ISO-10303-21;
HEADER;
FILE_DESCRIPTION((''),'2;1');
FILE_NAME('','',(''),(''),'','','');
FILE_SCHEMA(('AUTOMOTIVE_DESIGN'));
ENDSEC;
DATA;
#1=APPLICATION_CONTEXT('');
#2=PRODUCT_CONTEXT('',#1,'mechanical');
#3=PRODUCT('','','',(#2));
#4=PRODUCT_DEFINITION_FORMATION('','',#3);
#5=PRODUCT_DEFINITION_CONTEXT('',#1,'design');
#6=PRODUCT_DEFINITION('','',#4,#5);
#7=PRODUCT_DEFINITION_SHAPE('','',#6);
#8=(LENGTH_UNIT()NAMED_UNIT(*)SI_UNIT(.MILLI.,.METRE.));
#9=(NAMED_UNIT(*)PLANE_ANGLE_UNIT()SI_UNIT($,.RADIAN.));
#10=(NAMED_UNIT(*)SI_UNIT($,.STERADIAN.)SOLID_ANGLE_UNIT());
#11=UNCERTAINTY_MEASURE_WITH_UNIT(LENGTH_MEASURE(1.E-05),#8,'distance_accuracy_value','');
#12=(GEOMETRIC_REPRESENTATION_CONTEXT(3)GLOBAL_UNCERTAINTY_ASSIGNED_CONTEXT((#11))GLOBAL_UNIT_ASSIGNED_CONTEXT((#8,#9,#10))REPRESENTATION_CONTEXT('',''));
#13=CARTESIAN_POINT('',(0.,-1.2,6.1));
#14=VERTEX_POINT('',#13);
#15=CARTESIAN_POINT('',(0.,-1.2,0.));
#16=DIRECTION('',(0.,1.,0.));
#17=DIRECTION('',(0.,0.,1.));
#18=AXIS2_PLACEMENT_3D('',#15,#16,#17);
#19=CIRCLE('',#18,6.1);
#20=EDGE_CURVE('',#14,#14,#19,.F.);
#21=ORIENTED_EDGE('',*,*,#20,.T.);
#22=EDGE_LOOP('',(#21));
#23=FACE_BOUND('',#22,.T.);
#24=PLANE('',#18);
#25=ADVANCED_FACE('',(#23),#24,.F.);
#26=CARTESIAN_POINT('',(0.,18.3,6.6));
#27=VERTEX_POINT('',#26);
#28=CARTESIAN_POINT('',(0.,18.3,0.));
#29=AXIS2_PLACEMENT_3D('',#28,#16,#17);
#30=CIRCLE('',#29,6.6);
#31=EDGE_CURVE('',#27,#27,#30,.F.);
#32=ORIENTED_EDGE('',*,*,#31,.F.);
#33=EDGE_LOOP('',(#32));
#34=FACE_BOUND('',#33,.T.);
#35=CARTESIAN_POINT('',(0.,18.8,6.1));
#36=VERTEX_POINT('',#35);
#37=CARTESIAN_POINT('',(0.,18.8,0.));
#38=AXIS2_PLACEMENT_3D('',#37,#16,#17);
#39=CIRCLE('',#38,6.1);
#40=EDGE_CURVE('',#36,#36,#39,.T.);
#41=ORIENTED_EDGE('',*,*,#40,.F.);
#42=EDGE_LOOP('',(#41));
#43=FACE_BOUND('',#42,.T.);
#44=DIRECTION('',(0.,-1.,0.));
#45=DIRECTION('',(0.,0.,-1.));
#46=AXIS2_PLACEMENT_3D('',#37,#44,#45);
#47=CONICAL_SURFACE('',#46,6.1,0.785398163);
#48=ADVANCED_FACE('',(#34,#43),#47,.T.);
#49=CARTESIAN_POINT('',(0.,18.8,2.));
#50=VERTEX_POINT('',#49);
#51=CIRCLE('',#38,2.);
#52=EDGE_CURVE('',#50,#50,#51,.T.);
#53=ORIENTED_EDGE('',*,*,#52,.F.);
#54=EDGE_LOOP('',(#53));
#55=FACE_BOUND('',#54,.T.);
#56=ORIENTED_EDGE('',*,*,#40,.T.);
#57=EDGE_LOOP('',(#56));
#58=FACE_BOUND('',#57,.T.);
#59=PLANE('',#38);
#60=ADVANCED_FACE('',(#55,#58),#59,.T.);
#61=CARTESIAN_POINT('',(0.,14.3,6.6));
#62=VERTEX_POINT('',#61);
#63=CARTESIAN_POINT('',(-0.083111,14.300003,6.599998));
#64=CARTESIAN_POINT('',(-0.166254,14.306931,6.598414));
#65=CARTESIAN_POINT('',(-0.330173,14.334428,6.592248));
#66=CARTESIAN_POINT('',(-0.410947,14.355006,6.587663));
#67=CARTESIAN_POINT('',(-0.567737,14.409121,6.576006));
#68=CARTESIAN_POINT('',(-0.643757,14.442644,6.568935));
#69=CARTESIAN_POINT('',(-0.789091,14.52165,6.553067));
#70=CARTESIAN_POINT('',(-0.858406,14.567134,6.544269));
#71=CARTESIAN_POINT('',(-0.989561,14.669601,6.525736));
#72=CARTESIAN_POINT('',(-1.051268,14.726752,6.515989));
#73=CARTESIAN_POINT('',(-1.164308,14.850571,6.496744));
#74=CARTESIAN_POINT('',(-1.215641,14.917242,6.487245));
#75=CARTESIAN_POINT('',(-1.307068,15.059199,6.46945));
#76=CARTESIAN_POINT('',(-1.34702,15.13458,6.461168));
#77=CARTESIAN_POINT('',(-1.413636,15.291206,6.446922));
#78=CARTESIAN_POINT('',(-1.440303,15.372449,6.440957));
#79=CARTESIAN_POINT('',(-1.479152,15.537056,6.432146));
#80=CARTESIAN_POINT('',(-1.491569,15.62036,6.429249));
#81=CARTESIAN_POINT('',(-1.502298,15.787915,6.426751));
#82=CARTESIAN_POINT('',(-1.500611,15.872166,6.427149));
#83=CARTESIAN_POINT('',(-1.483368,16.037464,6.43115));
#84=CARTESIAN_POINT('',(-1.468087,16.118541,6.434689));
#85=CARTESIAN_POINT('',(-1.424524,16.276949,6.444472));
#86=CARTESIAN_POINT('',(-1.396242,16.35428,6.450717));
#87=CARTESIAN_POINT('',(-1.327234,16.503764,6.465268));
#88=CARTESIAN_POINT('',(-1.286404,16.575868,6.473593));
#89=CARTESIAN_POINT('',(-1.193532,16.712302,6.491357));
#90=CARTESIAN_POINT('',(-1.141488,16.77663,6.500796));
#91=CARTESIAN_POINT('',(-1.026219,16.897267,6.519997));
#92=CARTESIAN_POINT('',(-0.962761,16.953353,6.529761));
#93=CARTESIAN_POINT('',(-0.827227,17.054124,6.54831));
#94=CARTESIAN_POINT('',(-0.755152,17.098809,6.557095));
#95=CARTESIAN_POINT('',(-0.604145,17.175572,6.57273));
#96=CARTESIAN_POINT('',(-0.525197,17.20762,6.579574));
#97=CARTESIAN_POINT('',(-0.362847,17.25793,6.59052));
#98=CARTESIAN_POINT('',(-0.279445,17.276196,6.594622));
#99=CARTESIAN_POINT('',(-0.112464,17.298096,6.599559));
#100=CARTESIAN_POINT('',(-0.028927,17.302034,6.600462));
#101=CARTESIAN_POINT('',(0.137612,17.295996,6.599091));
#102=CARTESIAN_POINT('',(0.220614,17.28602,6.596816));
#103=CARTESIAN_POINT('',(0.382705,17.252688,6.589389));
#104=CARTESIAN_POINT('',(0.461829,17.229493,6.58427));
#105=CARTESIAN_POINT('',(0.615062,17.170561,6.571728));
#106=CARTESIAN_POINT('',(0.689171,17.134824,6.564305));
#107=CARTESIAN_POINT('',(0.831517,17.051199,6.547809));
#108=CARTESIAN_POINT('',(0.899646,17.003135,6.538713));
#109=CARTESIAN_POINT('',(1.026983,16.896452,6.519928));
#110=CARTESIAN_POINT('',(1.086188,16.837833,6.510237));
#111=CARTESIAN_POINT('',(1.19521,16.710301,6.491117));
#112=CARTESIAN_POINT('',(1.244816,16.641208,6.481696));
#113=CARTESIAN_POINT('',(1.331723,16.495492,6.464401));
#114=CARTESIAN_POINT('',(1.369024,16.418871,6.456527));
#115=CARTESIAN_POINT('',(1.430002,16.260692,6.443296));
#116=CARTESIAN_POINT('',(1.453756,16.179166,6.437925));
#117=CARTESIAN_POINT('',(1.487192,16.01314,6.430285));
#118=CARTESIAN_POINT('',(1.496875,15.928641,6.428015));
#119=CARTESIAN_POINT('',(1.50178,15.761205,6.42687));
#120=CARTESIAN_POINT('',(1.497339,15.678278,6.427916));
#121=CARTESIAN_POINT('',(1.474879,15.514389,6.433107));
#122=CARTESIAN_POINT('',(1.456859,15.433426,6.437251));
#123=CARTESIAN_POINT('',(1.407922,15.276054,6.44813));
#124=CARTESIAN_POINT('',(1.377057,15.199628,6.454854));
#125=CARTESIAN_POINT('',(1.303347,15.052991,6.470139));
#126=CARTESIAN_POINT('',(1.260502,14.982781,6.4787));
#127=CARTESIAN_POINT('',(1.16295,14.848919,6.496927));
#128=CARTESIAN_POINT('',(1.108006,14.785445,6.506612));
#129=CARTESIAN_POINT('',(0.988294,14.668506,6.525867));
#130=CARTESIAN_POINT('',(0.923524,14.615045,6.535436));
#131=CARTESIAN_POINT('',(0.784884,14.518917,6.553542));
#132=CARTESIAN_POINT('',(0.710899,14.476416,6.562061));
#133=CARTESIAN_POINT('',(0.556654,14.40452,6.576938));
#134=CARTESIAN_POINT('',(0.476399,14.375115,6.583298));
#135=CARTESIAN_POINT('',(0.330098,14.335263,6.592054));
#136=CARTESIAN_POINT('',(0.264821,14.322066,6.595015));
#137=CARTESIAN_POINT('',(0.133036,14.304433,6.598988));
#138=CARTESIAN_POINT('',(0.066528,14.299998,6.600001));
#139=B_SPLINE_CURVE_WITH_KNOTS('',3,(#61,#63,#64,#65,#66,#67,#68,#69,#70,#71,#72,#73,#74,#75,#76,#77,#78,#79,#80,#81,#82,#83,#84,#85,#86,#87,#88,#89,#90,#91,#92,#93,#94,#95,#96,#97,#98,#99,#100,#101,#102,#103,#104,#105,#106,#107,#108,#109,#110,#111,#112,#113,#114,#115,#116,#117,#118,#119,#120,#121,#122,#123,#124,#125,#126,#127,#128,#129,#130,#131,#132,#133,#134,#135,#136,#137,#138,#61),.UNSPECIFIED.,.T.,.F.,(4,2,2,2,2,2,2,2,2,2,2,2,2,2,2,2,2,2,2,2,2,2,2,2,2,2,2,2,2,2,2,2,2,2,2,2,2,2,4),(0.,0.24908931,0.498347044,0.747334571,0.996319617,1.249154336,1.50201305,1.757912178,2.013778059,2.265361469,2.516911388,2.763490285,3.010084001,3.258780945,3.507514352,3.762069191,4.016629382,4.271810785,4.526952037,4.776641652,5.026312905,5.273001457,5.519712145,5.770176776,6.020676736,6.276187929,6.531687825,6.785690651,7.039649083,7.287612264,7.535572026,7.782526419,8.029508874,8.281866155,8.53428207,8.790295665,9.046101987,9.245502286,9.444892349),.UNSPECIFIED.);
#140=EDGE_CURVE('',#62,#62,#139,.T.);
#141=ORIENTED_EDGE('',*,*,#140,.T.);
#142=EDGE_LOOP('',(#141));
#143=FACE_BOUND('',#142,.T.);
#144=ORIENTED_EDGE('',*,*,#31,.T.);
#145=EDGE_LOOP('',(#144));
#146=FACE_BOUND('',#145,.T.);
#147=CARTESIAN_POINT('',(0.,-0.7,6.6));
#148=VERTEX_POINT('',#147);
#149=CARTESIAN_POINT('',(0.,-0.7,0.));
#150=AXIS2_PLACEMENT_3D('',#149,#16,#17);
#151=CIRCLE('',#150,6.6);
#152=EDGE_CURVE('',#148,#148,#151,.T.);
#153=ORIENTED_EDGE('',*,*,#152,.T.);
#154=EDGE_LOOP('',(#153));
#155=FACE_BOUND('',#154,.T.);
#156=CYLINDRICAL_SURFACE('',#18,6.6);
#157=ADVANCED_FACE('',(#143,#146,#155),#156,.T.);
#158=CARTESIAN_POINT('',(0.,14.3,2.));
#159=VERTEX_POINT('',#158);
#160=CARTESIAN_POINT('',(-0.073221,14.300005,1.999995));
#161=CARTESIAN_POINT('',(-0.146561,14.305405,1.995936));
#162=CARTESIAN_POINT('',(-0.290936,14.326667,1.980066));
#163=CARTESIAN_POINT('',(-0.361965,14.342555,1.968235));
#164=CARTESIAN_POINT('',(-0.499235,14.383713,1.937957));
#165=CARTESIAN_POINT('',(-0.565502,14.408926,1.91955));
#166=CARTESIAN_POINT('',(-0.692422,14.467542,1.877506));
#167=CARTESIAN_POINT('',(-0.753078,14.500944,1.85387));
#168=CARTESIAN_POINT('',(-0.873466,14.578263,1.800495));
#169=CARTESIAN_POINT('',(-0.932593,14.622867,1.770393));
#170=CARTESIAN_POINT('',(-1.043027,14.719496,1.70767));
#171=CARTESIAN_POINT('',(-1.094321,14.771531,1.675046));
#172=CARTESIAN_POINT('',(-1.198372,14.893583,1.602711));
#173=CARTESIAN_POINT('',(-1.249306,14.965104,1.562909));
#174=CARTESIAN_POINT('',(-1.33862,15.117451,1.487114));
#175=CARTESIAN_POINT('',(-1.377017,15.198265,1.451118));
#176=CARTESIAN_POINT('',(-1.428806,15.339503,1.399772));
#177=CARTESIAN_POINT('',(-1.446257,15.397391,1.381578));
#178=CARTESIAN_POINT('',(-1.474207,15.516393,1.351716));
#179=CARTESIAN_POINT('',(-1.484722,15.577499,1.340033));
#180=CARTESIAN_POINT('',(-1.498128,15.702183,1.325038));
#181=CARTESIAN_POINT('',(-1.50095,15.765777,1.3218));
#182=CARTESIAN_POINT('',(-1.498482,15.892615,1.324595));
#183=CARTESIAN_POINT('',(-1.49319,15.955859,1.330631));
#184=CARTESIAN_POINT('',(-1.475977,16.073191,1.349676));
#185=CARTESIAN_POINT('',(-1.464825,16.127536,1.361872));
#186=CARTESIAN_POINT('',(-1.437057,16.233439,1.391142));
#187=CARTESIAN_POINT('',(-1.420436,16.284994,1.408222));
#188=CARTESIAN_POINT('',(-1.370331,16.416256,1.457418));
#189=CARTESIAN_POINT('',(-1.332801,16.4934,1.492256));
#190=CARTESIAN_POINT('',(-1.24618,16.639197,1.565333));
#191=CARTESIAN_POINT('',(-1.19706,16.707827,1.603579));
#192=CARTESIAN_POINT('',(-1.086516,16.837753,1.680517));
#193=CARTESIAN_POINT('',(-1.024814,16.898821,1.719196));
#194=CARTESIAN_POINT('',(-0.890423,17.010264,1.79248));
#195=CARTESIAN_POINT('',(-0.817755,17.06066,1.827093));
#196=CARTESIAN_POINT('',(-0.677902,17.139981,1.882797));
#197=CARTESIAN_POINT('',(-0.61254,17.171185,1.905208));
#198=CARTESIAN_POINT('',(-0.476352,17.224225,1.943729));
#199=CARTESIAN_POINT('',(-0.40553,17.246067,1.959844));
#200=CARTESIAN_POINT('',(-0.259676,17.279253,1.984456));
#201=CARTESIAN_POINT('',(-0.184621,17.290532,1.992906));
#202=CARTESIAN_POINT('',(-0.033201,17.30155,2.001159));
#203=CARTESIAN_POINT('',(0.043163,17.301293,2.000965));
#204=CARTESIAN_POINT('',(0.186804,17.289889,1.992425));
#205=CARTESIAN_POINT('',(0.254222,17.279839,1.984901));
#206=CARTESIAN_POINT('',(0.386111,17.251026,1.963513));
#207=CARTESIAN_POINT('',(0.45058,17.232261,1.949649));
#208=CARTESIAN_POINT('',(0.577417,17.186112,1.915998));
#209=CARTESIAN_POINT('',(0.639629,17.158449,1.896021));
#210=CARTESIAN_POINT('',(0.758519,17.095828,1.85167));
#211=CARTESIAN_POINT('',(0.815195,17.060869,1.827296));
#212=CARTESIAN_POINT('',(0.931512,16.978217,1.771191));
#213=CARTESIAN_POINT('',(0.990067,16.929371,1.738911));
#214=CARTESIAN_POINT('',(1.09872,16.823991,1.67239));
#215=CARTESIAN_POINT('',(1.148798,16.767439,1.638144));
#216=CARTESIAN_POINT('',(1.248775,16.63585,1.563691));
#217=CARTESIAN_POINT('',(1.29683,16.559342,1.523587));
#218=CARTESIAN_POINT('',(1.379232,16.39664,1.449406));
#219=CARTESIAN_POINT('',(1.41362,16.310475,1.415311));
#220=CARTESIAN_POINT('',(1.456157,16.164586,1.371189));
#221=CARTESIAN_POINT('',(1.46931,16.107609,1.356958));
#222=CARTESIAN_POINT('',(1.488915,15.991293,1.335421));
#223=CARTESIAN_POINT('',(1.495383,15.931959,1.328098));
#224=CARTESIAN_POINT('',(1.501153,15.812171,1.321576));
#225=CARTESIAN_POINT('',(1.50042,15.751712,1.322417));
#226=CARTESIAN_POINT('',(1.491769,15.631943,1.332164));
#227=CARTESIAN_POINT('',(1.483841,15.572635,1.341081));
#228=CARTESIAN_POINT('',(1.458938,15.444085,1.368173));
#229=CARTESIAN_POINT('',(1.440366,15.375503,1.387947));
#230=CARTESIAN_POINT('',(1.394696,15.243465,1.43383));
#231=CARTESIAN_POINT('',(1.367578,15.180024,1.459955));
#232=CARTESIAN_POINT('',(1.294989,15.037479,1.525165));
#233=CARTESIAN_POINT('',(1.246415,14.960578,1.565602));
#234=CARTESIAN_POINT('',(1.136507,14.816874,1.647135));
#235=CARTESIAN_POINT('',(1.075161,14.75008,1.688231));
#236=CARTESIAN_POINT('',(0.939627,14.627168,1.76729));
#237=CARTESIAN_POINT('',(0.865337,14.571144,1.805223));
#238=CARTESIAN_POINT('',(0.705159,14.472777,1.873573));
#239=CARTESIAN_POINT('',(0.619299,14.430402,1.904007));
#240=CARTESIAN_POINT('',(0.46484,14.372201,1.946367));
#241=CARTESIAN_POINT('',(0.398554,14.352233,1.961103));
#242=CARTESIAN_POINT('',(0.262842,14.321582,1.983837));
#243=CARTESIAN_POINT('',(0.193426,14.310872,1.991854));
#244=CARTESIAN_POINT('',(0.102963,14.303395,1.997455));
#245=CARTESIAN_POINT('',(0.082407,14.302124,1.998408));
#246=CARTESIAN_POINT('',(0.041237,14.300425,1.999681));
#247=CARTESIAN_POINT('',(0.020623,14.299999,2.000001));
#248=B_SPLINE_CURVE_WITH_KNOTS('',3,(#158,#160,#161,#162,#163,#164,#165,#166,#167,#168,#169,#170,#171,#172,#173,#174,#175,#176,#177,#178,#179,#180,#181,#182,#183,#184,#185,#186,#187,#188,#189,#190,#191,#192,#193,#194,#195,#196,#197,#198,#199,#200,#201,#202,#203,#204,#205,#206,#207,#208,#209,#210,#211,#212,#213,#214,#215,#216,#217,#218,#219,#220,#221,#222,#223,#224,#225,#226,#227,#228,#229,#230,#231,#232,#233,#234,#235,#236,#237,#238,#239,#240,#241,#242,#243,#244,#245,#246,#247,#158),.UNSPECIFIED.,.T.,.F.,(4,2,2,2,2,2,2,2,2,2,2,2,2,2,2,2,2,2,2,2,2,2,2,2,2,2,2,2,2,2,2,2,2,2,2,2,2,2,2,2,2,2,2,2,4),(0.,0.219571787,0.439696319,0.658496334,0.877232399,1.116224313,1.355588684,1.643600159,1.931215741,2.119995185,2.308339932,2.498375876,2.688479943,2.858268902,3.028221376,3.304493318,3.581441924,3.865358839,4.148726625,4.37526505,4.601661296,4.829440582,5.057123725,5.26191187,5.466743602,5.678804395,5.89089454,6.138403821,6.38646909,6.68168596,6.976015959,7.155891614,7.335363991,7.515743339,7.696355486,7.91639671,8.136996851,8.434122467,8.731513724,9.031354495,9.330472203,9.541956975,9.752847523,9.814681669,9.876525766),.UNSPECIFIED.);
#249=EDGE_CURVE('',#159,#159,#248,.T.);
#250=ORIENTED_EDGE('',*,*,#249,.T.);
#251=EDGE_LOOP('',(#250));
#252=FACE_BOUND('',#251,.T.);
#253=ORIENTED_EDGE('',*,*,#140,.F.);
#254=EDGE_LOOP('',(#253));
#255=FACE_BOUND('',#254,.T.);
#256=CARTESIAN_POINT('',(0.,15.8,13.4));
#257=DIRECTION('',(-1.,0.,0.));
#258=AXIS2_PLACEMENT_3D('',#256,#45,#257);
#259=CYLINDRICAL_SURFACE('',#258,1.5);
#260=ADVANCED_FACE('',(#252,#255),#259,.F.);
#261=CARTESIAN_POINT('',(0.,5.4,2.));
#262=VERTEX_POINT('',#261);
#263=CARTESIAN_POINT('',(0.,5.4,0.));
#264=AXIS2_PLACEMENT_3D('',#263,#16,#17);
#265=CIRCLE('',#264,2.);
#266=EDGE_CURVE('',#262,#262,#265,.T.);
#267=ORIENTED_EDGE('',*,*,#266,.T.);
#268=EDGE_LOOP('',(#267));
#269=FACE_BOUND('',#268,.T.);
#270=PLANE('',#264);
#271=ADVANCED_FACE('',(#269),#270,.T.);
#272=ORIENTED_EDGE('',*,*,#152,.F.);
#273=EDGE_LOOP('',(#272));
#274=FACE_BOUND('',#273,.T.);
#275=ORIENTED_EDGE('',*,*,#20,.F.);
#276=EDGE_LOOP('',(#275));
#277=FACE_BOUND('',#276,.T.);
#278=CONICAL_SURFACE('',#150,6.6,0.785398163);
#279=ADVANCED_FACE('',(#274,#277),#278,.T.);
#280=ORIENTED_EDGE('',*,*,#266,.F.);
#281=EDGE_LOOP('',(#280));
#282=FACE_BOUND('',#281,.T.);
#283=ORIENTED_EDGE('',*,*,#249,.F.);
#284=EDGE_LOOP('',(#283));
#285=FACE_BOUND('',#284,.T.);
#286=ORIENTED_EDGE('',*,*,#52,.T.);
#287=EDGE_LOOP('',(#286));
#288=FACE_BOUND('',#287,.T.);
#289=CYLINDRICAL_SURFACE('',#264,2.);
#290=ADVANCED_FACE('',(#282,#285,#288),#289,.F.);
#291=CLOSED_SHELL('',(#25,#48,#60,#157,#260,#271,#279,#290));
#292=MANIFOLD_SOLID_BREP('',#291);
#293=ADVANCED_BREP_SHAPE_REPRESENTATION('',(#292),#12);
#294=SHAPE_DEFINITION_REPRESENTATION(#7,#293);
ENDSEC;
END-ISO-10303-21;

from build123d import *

# Parameters (mm, degrees)
EXTRUDE_1_DEPTH      = 18.8
EXTRUDE_1_DEPTH_BACK = 1.2
SKETCH_1_R           = 6.6
CHAMFER_1_SIZE       = 0.5
SKETCH_2_R           = 2
CUT_EXTRUDE_1_DEPTH  = 13.4
SKETCH_3_R           = 1.5
CUT_EXTRUDE_2_DEPTH  = 13.4


with BuildPart() as part:
    # 草图1 → 凸台-拉伸1 (new, two sides: drawn at the far end of the back side and taken through both)
    with BuildSketch(Plane(origin=(0, 0, 0), x_dir=(1, 0, 0), z_dir=(0, 1, 0)).offset(-EXTRUDE_1_DEPTH_BACK)):
        with Locations(Location((0, 0, 0), (0, 0, 270))):
            Circle(SKETCH_1_R)
    extrude(amount=EXTRUDE_1_DEPTH + EXTRUDE_1_DEPTH_BACK)

    # 倒角1
    chamfer_1_edges = [part.edges().sort_by_distance(p)[0] for p in [
        (0, -1.2, -6.6),
        (0, 18.8, -6.6),
    ]]
    chamfer(chamfer_1_edges, length=CHAMFER_1_SIZE)

    # 草图2 → 切除-拉伸1 (cut)
    with BuildSketch(Plane(origin=(0, 18.8, 0), x_dir=(1, 0, 0), z_dir=(0, 1, 0))):
        with Locations(Location((0, 0, 0), (0, 0, 270))):
            Circle(SKETCH_2_R)
    extrude(amount=-CUT_EXTRUDE_1_DEPTH, mode=Mode.SUBTRACT)

    # 草图3 → 切除-拉伸2 (cut)
    with BuildSketch(Plane.XY):
        with Locations(Location((0, 15.8, 0), (0, 0, 90))):
            Circle(SKETCH_3_R)
    extrude(amount=CUT_EXTRUDE_2_DEPTH, mode=Mode.SUBTRACT)


solid = part.part
